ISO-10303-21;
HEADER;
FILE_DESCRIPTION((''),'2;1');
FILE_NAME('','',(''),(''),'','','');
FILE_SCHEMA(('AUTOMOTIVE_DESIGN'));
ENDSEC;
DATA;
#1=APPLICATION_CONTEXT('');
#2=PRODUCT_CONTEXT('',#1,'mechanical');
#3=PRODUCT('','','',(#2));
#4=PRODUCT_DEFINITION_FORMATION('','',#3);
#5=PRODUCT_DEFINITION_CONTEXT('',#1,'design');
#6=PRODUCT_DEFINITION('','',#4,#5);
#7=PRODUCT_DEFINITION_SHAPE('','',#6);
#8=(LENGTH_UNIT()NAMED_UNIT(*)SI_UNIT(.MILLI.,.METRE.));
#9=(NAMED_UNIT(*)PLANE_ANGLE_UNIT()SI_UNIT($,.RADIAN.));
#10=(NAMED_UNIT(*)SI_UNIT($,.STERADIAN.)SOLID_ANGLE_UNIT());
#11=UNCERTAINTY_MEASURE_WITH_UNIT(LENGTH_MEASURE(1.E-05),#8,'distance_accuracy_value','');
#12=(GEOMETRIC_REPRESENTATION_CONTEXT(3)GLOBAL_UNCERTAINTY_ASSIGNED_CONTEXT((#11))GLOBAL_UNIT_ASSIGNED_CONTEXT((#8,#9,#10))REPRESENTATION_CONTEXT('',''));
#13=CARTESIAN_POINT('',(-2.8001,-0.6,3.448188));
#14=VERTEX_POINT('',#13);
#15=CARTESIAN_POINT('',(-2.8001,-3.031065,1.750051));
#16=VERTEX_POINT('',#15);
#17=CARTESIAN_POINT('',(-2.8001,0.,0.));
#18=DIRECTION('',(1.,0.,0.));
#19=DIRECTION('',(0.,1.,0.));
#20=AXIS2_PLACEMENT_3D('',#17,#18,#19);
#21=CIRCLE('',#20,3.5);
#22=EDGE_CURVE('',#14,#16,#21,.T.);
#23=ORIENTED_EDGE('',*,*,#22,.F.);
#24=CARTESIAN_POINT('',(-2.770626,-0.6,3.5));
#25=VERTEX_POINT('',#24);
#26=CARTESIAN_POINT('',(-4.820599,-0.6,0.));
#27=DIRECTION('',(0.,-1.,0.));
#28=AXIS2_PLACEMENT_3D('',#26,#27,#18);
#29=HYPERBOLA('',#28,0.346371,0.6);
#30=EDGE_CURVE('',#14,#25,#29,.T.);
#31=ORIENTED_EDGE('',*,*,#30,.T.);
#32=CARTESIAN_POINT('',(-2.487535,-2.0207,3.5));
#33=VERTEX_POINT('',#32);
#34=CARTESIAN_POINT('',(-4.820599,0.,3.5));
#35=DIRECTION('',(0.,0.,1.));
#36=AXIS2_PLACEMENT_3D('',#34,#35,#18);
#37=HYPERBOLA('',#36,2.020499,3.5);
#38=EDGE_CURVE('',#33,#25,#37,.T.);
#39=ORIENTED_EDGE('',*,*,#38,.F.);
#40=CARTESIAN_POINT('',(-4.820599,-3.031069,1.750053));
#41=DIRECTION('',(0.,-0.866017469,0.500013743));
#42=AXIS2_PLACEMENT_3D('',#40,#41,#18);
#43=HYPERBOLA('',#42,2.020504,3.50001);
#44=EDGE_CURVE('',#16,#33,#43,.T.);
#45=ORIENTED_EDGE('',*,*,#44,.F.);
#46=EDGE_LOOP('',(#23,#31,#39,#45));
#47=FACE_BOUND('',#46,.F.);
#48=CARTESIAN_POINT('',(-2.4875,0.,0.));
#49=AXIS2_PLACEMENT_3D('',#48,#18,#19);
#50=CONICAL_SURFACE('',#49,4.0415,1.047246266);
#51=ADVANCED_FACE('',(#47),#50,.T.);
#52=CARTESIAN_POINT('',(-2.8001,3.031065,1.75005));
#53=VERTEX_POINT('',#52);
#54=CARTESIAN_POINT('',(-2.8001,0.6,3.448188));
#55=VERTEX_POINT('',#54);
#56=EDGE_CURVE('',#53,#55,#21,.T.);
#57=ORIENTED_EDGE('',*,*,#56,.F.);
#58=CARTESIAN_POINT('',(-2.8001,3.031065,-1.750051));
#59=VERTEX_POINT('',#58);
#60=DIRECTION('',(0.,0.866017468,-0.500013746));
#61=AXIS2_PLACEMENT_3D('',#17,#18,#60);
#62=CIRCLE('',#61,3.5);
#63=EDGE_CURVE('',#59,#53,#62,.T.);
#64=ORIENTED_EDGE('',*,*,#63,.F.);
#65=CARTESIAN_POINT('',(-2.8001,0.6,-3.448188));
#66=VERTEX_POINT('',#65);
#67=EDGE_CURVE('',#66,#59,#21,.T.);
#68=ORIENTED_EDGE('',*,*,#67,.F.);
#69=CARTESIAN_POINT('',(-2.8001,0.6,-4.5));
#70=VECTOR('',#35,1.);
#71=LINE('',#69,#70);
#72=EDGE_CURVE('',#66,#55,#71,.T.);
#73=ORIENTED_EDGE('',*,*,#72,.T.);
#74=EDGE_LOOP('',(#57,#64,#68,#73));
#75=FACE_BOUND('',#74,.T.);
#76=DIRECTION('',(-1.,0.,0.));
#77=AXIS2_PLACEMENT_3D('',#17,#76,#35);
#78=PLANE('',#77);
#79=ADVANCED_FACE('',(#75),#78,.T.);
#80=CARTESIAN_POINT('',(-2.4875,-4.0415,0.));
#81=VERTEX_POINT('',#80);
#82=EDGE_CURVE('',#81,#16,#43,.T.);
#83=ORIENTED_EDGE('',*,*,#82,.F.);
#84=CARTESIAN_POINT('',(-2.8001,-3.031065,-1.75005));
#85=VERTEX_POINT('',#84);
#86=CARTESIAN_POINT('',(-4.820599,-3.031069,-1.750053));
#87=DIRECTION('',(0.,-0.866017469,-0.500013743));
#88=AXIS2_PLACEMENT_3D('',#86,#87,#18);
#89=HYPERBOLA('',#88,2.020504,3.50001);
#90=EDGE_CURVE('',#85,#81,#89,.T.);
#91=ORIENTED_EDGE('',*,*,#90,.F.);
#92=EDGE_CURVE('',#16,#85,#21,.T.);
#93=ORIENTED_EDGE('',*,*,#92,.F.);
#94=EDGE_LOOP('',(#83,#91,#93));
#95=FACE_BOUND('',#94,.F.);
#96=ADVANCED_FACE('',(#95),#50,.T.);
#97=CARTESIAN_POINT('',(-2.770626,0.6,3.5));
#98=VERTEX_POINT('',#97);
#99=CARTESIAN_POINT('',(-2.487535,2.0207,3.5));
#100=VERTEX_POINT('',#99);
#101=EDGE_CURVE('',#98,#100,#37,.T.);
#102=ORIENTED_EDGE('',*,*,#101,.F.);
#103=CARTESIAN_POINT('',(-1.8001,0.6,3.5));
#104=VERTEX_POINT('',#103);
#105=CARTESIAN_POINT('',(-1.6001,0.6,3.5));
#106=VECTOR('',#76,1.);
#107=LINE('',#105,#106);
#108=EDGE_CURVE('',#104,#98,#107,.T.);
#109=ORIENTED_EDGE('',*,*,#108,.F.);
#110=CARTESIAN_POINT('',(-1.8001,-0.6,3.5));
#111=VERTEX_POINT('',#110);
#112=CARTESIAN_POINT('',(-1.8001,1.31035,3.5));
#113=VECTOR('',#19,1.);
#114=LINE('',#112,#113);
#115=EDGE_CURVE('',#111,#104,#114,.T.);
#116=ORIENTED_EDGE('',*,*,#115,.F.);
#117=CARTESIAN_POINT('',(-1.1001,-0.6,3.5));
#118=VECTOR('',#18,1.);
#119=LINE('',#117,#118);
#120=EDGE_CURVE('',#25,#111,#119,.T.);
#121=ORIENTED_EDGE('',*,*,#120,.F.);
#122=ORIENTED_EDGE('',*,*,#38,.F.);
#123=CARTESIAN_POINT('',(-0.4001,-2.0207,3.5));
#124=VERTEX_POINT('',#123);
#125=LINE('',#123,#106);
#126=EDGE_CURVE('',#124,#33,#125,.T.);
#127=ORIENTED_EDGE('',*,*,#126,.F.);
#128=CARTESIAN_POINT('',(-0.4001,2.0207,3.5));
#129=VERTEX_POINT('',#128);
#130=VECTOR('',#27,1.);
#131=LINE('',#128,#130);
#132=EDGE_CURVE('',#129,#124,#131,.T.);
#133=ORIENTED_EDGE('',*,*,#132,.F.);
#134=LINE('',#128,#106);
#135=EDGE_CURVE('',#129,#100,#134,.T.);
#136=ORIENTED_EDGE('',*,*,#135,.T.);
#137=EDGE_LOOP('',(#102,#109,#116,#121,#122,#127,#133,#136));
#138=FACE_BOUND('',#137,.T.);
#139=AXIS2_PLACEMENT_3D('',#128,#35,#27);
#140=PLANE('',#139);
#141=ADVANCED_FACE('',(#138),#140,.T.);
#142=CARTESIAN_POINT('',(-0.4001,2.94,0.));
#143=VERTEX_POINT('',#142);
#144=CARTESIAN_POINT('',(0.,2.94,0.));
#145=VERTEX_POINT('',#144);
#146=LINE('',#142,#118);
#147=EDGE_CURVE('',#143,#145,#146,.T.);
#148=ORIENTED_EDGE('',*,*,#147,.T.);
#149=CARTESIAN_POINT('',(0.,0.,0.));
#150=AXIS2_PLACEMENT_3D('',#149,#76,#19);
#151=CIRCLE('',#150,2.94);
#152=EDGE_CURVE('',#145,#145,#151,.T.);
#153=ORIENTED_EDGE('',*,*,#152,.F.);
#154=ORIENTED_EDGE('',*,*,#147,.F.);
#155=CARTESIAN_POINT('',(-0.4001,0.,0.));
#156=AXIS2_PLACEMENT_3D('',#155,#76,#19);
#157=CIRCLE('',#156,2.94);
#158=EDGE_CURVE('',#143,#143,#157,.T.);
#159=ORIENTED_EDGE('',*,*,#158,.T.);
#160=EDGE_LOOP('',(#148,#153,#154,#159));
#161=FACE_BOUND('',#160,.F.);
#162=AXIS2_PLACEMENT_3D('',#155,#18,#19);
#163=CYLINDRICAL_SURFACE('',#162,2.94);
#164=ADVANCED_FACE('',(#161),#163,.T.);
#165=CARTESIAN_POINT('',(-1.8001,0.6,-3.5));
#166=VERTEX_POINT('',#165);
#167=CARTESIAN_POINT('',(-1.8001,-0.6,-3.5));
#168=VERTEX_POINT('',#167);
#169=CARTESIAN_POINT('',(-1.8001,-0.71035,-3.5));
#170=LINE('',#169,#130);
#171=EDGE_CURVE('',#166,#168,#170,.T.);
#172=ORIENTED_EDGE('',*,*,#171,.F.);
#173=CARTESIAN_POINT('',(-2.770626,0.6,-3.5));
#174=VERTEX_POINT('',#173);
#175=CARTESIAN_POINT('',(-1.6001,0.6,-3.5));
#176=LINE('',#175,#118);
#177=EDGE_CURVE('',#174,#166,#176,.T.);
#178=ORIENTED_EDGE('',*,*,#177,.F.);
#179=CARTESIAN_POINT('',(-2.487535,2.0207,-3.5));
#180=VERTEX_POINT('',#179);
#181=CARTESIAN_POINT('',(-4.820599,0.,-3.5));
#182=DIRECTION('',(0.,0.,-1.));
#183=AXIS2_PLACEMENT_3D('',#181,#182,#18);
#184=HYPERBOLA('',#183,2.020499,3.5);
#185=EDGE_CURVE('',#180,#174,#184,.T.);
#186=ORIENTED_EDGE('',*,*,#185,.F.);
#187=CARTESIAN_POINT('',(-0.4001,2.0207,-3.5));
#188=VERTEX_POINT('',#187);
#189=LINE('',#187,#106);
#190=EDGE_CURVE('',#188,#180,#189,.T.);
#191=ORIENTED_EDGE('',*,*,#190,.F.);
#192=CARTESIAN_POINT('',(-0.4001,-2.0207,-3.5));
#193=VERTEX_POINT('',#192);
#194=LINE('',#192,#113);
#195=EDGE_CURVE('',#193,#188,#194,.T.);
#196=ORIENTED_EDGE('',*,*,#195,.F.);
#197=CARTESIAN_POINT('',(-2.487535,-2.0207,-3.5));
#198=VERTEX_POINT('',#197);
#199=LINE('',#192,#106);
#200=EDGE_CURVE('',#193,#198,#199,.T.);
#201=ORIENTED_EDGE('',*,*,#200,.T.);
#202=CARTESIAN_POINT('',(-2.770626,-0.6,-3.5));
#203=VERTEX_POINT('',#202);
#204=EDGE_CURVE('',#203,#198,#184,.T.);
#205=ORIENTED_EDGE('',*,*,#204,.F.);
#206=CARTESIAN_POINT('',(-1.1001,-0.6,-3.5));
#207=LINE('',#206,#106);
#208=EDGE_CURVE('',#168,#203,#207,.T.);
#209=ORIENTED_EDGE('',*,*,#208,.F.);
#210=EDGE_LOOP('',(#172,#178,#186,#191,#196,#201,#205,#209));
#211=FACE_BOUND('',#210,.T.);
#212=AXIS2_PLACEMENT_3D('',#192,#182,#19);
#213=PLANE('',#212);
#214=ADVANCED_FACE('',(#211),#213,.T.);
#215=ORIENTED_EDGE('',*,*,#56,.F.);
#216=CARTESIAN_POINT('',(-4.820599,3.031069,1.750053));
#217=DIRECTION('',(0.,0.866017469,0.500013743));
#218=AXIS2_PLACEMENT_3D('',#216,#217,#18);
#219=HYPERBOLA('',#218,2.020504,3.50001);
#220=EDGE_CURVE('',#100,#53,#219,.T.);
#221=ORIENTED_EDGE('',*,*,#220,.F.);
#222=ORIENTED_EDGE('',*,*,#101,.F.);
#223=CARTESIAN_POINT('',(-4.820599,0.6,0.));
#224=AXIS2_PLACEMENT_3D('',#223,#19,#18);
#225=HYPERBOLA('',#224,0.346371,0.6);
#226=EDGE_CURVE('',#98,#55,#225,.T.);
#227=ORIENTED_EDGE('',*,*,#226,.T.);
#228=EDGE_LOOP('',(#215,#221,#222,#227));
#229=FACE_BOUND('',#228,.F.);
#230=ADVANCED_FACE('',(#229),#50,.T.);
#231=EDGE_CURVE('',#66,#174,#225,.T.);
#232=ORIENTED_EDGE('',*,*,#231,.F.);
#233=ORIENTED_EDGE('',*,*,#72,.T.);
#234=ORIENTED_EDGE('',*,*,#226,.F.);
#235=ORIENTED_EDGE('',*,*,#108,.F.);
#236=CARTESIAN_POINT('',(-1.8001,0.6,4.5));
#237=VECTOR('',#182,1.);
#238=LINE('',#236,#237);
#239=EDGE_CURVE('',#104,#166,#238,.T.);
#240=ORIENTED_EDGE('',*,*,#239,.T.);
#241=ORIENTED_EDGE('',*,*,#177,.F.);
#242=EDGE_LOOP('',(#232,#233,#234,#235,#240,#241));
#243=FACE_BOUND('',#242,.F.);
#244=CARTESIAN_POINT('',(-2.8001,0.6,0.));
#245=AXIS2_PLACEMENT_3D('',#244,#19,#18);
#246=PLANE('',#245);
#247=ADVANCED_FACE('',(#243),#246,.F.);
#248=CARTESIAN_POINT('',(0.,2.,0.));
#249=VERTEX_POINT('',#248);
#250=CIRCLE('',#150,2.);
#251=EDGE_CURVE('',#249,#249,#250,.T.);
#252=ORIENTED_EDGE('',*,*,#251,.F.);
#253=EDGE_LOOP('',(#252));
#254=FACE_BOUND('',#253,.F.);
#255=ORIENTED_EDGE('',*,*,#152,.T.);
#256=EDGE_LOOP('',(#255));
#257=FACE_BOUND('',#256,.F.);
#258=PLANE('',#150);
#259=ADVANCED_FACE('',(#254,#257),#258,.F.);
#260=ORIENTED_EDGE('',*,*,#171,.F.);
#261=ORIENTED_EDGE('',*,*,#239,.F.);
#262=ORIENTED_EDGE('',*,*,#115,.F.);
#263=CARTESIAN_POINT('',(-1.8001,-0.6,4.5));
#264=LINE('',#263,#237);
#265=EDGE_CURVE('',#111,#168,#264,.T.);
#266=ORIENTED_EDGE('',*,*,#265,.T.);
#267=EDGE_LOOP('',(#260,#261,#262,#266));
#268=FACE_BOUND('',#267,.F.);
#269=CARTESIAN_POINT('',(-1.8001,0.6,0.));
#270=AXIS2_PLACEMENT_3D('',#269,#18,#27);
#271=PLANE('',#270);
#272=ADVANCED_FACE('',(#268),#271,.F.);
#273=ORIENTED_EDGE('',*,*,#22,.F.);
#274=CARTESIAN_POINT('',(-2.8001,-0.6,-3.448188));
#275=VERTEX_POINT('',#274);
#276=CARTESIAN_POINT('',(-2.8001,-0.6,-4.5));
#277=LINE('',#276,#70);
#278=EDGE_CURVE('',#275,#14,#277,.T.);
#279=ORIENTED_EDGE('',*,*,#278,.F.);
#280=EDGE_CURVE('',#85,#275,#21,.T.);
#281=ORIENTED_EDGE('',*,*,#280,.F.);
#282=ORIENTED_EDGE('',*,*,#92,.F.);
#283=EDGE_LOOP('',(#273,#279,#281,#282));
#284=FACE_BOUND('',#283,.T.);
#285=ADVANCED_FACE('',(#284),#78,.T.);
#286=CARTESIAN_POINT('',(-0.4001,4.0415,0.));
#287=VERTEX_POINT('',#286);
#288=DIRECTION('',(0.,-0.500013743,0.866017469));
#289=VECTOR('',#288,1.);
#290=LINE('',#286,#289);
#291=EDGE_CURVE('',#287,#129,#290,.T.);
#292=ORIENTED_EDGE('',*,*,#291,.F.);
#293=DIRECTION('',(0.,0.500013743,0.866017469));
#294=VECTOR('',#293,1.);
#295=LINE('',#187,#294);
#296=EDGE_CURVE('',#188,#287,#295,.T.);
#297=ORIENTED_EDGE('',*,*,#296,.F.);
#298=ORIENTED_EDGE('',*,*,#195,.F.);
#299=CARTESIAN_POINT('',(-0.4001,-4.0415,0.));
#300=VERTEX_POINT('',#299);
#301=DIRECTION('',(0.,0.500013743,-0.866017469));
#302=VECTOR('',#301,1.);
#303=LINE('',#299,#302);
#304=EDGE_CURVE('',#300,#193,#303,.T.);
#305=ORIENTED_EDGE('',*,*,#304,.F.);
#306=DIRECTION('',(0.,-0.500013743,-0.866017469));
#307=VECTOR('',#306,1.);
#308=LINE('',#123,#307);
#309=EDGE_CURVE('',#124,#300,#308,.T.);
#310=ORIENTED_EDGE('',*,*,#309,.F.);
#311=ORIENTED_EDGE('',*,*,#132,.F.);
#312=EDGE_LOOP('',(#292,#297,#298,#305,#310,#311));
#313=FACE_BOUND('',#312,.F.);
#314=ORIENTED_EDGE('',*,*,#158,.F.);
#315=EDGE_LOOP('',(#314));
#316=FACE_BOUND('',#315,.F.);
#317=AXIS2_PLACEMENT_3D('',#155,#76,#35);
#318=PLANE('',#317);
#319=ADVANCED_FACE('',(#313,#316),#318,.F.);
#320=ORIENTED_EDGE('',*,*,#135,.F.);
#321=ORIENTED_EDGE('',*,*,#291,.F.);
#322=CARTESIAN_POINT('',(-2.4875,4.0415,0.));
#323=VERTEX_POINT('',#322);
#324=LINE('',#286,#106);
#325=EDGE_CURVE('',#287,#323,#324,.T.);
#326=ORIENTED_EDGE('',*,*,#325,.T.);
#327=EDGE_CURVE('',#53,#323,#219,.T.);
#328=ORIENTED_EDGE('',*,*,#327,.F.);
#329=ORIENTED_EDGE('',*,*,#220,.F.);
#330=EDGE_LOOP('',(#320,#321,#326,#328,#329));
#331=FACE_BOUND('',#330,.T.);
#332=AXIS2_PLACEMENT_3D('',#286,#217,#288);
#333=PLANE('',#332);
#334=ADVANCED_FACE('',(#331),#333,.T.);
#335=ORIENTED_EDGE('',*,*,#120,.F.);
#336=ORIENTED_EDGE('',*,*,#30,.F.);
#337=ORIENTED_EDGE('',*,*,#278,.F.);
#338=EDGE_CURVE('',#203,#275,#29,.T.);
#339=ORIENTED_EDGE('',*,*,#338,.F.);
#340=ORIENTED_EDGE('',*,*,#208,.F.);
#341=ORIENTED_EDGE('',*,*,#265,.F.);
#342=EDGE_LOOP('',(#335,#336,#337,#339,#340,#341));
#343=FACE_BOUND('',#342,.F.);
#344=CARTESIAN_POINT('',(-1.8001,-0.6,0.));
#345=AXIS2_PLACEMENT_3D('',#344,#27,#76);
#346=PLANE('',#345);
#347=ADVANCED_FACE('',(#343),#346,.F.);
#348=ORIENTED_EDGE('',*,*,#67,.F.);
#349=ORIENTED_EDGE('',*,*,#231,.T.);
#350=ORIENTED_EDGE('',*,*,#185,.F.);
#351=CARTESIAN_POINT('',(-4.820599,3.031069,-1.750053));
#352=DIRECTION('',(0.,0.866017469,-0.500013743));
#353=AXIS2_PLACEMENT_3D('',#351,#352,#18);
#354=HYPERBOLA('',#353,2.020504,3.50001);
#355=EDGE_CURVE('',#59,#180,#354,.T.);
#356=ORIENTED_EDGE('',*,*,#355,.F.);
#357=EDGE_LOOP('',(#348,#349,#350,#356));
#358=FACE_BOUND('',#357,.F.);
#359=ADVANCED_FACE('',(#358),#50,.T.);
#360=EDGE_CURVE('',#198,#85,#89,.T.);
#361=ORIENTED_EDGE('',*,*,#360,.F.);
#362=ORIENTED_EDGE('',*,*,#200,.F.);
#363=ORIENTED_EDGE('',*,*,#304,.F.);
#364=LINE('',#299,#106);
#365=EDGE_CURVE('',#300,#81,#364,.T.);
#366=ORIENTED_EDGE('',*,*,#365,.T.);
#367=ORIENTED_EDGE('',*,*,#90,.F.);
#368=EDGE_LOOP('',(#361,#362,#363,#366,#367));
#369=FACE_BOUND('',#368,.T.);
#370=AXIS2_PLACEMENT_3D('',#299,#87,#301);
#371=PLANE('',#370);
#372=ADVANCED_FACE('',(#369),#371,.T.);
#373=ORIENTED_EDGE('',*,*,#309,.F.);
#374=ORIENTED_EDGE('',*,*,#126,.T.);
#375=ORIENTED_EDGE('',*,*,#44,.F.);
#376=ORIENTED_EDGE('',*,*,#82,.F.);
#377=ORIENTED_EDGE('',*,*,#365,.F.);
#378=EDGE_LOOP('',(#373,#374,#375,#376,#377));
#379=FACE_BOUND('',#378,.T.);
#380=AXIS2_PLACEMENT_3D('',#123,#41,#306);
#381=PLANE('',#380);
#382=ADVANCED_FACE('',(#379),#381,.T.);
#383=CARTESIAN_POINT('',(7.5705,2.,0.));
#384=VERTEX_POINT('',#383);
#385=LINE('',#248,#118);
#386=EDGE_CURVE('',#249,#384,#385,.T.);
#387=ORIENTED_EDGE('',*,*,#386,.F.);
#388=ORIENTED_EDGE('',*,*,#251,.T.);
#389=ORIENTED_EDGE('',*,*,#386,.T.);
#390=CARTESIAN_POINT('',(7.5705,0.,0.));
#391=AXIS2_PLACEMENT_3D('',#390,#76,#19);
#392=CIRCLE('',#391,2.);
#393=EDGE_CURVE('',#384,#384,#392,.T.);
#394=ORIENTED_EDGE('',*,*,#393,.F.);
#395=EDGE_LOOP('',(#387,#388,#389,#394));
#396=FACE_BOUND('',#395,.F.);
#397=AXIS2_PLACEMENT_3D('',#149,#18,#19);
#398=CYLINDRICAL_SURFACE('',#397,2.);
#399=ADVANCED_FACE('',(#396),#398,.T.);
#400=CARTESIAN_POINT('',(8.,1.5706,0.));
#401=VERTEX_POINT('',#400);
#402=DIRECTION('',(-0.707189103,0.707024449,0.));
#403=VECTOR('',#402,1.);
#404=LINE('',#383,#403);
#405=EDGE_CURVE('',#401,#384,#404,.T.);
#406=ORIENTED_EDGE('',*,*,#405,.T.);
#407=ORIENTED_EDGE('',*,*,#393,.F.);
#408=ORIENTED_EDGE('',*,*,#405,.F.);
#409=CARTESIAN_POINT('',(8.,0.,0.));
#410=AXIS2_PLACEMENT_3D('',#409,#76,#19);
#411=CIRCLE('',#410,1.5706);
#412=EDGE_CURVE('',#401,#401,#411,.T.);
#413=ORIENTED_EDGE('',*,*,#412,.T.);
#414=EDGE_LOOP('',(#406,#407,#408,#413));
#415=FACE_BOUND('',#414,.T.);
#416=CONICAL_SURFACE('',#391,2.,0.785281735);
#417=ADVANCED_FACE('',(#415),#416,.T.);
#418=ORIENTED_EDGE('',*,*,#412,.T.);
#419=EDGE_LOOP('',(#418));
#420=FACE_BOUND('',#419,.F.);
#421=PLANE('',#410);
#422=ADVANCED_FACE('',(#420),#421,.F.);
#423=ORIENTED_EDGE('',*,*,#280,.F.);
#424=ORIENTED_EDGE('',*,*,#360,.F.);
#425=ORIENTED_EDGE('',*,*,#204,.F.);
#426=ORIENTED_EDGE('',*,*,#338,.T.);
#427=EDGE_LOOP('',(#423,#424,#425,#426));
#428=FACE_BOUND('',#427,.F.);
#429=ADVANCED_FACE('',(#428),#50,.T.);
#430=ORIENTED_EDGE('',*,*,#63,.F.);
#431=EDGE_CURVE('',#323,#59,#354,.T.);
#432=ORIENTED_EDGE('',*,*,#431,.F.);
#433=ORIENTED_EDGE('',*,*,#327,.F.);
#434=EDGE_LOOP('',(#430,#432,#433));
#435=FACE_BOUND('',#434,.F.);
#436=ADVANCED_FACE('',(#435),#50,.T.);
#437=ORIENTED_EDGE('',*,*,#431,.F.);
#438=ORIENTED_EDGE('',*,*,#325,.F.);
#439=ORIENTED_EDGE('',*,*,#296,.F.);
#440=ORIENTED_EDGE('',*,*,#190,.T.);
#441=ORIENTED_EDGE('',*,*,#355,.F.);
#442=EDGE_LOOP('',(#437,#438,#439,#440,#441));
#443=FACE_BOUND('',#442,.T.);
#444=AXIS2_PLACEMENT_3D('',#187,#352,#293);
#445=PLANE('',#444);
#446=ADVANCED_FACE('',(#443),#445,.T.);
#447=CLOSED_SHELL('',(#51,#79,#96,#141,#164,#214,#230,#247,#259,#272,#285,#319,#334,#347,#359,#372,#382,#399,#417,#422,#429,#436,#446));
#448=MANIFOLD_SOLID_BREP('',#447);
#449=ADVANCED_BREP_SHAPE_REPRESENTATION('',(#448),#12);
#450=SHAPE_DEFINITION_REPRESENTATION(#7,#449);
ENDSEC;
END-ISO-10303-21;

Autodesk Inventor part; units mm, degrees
ref_plane "YZ Plane" through (0, 0, 0) normal (1, 0, 0) x (0, 1, 0)
ref_plane "XZ Plane" through (0, 0, 0) normal (0, 1, 0) x (-1, 0, 0)
sketch "Sketch1" plane through (0, 0, 0) normal (0, 0, 1) x (1, 0, 0)
  line L0 (0, 2.94) -> (0, 2)
  line L1 (0, 2) -> (8, 2)
  line L2 (8, 2) -> (8, 0)
  line L3 (8, 0) -> (-0.4001, 0)
  line L4 (-2.0801, 0) -> (9.68, 0) projected
  line L5 (-0.4001, 0) -> (-0.4001, 2.94)
  line L6 (-0.4001, 2.94) -> (0, 2.94)
  line L7 (0, -0.588) -> (0, 3.528) projected
  dimension "d0" = 8
  dimension "d1" = 4
  dimension "d8" = 0.4001
  dimension "d9" = 5.88
revolve "Body" add sketch "Sketch1" angle 360 about axis through (8, 0, 0) along (-1, 0, 0)
sketch "Sketch2" plane through (-0.4001, 0, 0) normal (-1, 0, 0) x (0, 0, 1)
  line L0 (0, 4.0415) -> (3.5, 2.0207)
  line L1 (3.5, 2.0207) -> (3.5, -2.0207)
  line L2 (3.5, -2.0207) -> (0, -4.0415)
  line L3 (0, -4.0415) -> (-3.5, -2.0207)
  line L4 (-3.5, -2.0207) -> (-3.5, 2.0207)
  line L5 (-3.5, 2.0207) -> (0, 4.0415)
  point P0 (0, 0)
  point P1 (0, 0)
  dimension "d10" = 7
extrude "Head" add sketch "Sketch2" along normal blind 2.4
sketch "Sketch3" plane through (0, 0, 0) normal (0, 0, 1) x (1, 0, 0)
  line L0 (-2.8001, 0.6) -> (-1.8001, 0.6)
  line L1 (-1.8001, 0.6) -> (-1.8001, -0.6)
  line L2 (-1.8001, -0.6) -> (-2.8001, -0.6)
  line L3 (-2.8001, -0.6) -> (-2.8001, 0.6)
  line L4 (-1.8001, 0) -> (-2.8001, 0) construction
  line L5 (-3.0001, 0) -> (-1.6001, 0) projected
  line L6 (-2.8001, 2.0207) -> (-2.8001, -2.0207) projected
  dimension "d11" = 1.2
  dimension "d13" = 1
extrude "Slot" cut sketch "Sketch3" along normal through all both and the other way through all
sketch "Sketch4" plane through (0, 0, 0) normal (0, 0, 1) x (1, 0, 0)
  line L0 (-2.8001, 3.5) -> (-2.8001, 4.0415)
  line L1 (-2.8001, 4.0415) -> (-2.4875, 4.0415)
  line L2 (-2.4875, 4.0415) -> (-2.8001, 3.5)
  line L3 (-2.4875, 4.0415) -> (-2.8001, 4.0415)
  line L4 (-2.8001, 4.0415) -> (-2.8001, 3.5)
  line L5 (-2.8001, 4.0415) -> (-2.8001, 2.0207) projected
  line L6 (-3.2801, 0) -> (0.0799, 0) projected
  line L7 (-0.4001, 4.0415) -> (-2.8001, 4.0415) projected
  dimension "d4" = 30
  dimension "d17" = 7
revolve "Chamfer1" cut sketch "Sketch4" angle 360 about axis through (-10, 0, 0) along (1, 0, 0)
thread "Thread" size "M4x0.7" designation "M4" class "6g" standard "GB Metric profile" length 7.3
chamfer "Chamfer2" distance 0.4294 distance2 0.4295 1 edges at (8, -2, 0) measured on face at (8, 0.6473, -0.1595)
ref_plane "Work Plane1" through (60, 0, 0) normal (0, 0, 1) x (1, 0, 0)
equation "\"d0\" = NLG"
equation "\"d1\" = GD"
equation "\"d9\" = SD2"
equation "\"d10\" = SW"
equation "\"d2\" = KOH - SD"
equation "\"d11\" = SBR"
equation "\"d13\" = STI"
equation "\"d4\" = ANG1"
equation "\"d17\" = SW0"
equation "\"d15\" = GEL"
equation "\"d5\" = -0.5 * SPD + 0.5 * GD"
equation "\"NLG\" = 8"
equation "\"GD\" = NND"
equation "\"KOH\" = 2.8"
equation "\"GEL\" = 7.3"
equation "\"SW\" = 7"
equation "\"SW0\" = SW"
equation "\"SPD\" = NND - 1.2269 * PTC"
equation "\"SD2\" = SDH"
equation "\"SD\" = WFT"
equation "\"ANG1\" = 30deg"
equation "\"GUL\" = 0.61345 * PTC"
equation "\"STI\" = 1"
equation "\"SBR\" = 1.2"
equation "\"RR\" = 0.2"
equation "\"GAL\" = 0.61345 * PTC"
equation "\"BDM\" = NND"
equation "\"WFT\" = 0.4"
equation "\"FAWI\" = 45deg"
equation "\"PTC\" = 0.7"
equation "\"THREADDIA\" = 4"
equation "\"E0\" = 1.155 * SW"
equation "\"TOA\" = 30deg"
equation "\"NND\" = 4"
equation "\"GD1\" = THREADDIA - 1.2269 * PTC"
equation "\"SDH\" = 5.88"
properties part number "Bolt GB/T 29.1 M4 x 8" material "Steel, Mild"
